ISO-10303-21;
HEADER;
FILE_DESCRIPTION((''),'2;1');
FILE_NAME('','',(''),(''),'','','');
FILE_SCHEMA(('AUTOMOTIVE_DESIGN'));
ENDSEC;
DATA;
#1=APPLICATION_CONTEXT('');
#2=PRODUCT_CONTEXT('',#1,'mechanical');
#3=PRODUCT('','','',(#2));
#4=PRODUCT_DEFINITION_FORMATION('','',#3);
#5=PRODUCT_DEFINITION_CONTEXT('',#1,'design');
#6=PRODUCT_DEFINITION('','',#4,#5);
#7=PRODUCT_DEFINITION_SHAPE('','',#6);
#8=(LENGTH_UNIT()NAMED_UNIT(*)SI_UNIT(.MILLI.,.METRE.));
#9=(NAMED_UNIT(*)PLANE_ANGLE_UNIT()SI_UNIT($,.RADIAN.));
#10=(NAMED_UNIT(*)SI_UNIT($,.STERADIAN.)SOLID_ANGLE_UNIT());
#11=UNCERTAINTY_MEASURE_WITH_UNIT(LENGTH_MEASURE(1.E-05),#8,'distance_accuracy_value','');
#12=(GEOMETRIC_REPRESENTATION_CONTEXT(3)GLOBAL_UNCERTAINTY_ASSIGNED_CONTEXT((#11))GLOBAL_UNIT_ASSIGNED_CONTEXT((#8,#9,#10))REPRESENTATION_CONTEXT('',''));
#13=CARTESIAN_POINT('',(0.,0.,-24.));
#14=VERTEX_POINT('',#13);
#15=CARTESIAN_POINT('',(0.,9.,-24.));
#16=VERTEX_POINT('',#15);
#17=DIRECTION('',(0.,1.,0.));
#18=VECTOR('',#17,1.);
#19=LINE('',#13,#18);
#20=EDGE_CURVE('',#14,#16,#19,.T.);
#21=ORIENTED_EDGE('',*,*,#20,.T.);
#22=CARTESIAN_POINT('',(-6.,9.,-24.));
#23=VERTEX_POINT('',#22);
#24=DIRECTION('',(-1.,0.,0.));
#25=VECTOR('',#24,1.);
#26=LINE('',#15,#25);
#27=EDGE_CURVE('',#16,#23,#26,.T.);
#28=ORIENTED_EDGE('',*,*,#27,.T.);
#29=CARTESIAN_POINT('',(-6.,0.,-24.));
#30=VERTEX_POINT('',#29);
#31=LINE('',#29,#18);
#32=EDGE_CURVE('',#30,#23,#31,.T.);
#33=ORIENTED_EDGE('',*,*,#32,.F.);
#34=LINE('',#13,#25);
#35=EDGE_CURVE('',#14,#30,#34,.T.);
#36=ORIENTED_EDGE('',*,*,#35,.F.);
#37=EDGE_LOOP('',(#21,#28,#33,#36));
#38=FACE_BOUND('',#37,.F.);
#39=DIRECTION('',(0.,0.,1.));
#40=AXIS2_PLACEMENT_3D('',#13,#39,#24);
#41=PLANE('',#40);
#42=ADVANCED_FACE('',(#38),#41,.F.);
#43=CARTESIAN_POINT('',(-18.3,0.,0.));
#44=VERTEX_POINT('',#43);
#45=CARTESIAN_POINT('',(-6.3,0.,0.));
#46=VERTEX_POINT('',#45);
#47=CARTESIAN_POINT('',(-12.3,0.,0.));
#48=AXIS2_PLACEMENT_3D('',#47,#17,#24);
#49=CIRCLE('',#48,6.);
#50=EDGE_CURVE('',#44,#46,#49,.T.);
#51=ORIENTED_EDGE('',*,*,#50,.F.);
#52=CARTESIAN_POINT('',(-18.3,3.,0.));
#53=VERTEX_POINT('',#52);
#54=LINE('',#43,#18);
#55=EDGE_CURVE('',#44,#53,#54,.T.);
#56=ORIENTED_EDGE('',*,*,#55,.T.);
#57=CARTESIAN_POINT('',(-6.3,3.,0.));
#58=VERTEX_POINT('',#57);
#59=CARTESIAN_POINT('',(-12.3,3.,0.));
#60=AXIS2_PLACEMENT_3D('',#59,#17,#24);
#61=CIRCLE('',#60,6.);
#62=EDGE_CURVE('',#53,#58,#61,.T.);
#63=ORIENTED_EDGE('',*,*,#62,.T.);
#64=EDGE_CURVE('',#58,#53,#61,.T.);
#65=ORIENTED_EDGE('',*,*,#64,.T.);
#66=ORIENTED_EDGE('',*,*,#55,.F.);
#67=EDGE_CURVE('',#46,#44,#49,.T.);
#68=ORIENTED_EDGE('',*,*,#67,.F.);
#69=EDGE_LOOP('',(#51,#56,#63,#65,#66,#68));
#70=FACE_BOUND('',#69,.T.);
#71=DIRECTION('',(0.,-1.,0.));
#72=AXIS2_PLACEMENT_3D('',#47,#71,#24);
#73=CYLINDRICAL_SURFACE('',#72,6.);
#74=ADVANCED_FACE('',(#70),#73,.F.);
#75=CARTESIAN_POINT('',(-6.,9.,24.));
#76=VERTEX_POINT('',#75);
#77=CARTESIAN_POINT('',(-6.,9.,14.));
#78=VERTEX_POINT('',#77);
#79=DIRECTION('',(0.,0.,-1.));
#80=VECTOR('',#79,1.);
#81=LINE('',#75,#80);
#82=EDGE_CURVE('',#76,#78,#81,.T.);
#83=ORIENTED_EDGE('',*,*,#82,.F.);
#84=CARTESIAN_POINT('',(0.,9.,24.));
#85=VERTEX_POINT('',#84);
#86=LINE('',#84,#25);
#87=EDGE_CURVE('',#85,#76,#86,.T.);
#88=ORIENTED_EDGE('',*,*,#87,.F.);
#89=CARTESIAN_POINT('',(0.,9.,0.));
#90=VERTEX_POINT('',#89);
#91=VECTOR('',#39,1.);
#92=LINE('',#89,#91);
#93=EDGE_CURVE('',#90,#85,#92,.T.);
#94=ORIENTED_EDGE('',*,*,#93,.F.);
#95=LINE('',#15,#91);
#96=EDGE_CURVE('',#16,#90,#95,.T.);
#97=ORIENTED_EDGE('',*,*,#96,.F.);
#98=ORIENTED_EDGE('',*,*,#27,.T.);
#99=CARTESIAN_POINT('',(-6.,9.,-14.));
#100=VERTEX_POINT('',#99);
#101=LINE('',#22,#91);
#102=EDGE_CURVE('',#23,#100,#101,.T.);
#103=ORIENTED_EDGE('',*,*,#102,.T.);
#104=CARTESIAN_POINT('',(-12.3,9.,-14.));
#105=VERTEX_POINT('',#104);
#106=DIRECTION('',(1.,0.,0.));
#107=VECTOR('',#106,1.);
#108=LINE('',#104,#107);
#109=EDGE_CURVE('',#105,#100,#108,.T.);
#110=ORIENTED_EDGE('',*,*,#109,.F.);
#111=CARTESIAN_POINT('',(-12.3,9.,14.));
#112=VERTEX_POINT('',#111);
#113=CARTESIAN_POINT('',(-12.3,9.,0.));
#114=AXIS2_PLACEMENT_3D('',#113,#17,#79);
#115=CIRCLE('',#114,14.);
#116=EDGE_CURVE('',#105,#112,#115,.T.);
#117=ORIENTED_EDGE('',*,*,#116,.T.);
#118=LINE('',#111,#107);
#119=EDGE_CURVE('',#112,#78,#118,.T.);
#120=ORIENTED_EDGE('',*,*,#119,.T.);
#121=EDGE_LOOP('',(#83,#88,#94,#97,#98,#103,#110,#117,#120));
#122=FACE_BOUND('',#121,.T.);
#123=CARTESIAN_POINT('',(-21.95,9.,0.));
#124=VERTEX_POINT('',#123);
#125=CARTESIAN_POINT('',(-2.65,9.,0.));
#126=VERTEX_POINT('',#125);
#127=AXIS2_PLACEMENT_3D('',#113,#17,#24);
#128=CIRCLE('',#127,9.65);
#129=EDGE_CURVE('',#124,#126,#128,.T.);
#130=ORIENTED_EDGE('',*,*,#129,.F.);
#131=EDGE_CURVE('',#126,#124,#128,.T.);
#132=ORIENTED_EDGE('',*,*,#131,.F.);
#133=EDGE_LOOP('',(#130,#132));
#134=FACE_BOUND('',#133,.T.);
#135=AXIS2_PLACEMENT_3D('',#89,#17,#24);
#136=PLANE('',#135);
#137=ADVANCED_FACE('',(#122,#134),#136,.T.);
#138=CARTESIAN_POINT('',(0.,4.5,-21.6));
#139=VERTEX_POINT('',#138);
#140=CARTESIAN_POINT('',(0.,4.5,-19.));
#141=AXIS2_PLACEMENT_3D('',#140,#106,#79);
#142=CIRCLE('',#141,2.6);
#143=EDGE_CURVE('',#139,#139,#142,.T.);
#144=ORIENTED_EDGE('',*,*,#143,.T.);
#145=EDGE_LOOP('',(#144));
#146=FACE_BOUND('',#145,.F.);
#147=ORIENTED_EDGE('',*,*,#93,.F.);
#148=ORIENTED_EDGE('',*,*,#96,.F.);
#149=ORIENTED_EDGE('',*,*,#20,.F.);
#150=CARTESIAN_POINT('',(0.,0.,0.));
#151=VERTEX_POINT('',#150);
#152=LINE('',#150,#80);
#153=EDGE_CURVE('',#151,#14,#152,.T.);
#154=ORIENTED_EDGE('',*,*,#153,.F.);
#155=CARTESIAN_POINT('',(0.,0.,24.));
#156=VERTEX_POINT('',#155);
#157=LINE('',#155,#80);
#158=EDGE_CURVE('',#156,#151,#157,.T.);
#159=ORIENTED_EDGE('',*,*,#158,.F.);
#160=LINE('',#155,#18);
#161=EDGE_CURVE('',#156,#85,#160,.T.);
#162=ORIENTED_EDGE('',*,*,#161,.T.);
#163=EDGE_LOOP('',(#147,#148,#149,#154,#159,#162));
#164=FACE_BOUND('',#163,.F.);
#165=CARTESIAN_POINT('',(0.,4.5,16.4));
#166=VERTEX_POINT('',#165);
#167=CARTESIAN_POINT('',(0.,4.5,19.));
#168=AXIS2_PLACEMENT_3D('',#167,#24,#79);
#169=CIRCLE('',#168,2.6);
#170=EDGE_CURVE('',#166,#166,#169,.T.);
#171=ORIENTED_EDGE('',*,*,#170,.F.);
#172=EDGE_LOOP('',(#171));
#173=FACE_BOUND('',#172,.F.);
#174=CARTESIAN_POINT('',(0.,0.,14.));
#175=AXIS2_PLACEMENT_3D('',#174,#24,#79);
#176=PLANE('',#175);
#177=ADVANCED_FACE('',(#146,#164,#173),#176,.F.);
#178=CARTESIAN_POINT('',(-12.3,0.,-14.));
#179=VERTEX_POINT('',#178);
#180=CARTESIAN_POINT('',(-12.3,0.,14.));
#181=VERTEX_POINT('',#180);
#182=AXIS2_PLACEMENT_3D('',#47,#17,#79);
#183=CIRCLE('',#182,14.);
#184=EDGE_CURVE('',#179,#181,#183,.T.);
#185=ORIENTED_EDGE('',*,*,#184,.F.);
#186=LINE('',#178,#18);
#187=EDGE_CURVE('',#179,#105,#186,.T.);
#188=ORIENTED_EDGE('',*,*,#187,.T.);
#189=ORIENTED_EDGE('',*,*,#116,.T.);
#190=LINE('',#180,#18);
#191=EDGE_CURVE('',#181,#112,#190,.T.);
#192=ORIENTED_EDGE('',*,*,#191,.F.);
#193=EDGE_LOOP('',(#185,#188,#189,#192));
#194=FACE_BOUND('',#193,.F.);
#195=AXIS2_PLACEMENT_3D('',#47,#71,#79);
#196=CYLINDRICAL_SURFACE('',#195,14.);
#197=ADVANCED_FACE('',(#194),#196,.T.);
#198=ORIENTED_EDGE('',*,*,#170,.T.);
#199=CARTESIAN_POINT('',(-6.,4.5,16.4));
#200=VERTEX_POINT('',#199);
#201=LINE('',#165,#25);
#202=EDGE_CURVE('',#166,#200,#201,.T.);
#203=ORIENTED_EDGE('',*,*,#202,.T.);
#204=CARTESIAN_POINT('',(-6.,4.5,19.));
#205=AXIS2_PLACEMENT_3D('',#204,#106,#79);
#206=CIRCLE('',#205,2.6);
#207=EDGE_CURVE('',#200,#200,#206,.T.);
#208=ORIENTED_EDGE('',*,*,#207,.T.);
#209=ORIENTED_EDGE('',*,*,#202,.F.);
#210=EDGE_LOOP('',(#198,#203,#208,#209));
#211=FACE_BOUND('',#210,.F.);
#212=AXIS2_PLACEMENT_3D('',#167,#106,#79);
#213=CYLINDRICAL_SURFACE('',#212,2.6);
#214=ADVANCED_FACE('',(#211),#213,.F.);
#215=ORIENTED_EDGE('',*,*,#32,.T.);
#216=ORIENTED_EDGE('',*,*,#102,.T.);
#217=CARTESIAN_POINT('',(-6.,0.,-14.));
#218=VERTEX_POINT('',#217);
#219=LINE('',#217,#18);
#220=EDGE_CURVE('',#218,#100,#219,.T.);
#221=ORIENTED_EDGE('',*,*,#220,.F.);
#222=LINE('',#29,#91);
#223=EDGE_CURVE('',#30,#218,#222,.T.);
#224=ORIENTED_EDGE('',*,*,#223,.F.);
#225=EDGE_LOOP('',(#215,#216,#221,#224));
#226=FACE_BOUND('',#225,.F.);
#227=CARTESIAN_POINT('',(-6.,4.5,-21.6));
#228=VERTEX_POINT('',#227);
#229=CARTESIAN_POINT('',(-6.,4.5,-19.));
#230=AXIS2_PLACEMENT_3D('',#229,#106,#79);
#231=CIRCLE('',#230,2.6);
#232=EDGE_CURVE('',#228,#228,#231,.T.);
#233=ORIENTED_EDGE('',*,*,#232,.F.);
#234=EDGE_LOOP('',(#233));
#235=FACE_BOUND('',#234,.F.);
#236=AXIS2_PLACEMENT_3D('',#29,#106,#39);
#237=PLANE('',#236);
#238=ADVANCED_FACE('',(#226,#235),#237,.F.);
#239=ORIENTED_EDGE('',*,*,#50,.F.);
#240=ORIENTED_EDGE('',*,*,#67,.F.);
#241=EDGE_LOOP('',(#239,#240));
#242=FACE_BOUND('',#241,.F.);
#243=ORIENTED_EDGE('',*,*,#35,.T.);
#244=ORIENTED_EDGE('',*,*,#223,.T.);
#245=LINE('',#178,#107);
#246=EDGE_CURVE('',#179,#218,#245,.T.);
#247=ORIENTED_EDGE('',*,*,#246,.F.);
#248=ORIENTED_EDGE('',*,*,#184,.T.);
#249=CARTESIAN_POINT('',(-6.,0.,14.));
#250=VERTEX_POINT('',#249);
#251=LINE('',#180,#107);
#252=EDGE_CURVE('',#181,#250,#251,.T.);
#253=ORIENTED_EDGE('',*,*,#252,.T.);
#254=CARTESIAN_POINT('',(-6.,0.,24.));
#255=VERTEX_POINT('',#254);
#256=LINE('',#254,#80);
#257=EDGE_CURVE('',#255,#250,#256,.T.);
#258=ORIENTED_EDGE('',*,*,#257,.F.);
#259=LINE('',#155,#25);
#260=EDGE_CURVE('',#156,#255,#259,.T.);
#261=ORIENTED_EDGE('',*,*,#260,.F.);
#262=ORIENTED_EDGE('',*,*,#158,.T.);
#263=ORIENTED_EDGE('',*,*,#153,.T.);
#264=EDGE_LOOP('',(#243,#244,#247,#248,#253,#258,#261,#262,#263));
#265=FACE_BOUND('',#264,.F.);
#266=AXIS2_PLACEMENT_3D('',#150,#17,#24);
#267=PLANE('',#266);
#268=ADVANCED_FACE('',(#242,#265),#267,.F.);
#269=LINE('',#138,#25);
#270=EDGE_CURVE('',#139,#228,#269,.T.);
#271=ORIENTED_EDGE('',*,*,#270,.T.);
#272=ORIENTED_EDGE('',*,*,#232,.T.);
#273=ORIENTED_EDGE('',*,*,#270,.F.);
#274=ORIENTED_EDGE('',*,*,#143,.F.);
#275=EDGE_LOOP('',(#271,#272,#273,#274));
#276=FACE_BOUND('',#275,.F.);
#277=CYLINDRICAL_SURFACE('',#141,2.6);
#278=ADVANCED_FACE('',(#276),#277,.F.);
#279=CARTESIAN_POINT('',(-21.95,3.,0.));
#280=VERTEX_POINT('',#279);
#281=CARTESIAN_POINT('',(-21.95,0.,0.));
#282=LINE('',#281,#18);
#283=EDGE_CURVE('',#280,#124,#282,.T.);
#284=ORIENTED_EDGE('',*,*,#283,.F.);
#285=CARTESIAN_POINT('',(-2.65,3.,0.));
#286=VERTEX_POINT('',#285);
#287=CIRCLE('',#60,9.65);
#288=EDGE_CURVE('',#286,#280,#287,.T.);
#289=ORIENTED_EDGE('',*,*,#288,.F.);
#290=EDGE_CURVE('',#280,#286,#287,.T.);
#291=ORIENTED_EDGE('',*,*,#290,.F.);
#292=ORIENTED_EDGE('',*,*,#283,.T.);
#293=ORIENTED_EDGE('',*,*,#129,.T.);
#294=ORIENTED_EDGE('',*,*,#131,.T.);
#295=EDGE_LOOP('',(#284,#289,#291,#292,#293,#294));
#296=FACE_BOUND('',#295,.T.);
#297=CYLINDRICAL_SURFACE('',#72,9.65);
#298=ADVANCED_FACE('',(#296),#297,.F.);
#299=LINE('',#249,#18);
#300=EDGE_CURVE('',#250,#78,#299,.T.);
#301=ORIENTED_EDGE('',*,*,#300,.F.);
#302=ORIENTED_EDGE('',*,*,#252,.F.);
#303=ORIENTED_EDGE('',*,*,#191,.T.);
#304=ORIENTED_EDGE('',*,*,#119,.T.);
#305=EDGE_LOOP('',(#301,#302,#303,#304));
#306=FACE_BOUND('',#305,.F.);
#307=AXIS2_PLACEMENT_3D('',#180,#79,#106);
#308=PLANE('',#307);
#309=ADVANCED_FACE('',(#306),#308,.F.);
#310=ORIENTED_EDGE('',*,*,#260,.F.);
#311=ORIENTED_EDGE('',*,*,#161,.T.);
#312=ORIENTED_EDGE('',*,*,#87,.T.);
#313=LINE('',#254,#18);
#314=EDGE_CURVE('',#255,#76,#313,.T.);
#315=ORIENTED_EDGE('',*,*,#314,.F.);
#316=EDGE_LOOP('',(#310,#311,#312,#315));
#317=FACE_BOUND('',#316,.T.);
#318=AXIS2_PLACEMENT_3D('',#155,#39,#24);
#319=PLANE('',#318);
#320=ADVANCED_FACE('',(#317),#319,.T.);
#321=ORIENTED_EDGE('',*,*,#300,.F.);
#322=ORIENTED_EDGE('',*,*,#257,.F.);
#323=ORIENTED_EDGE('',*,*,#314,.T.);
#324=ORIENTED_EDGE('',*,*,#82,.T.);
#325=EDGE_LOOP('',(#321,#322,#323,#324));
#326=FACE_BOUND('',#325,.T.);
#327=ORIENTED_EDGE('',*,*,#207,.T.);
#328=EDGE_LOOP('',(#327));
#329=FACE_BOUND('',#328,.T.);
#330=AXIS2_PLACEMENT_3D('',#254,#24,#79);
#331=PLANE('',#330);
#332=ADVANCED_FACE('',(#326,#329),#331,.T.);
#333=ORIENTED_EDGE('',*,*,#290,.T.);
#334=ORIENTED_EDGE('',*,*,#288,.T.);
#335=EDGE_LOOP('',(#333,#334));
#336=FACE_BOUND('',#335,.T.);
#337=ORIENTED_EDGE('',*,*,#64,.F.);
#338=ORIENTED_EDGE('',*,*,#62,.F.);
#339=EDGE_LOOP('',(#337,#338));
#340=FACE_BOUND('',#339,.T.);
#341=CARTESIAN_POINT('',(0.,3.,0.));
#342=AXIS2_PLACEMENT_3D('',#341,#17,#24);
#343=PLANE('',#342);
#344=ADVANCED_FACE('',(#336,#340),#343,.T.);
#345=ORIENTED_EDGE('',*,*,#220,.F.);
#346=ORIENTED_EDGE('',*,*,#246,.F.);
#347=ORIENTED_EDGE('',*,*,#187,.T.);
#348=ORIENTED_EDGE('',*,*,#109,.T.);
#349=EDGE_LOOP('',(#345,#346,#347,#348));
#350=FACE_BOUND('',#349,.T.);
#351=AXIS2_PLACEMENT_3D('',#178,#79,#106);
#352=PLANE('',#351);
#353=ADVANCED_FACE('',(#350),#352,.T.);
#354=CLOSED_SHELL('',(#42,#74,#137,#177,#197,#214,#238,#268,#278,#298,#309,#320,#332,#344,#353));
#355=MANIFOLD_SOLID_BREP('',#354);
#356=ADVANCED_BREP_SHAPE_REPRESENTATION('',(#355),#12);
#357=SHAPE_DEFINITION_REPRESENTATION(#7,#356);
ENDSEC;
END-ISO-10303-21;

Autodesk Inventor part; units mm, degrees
ref_plane "YZ Plane" through (0, 0, 0) normal (1, 0, 0) x (0, 1, 0)
ref_plane "XZ Plane" through (0, 0, 0) normal (0, 1, 0) x (-1, 0, 0)
ref_plane "XY Plane" through (0, 0, 0) normal (0, 0, 1) x (1, 0, 0)
sketch "Sketch1" plane through (0, 0, 0) normal (0, 1, 0) x (-1, 0, 0)
  line L0 (0, 0) -> (12.3, 0)
  circle A0 centre (12.3, 0) radius 9.65
  circle A1 centre (12.3, 0) radius 6
  arc A2 (12.3, -14) -> (12.3, 14) centre (12.3, 0) ccw
  line L1 (12.3, 14) -> (0, 14)
  line L2 (0, 14) -> (0, 24)
  line L3 (0, 24) -> (6, 24)
  line L4 (6, 24) -> (6, 14)
  line L5 (12.3, -14) -> (0, -14)
  line L6 (0, -14) -> (0, -24)
  line L7 (0, -24) -> (6, -24)
  line L8 (6, -24) -> (6, -14)
  line L9 (0, 14) -> (0, -14)
  dimension "d0" = 12.3
  dimension "d1" = 19.3
  dimension "d2" = 12
  dimension "d3" = 28
  dimension "d4" = 10
  dimension "d5" = 6
  dimension "d6" = 10
extrude "Extrusion1" add sketch "Sketch1" along normal blind 3 contours A0
extrude "Extrusion2" add sketch "Sketch1" along normal blind 9 contours L9 L1 A2 L5 | L2 L3 L4 L1 | L5 L8 L7 L6
sketch "Sketch2" plane through (0, 0, 24) normal (1, 0, 0) x (0, 0, -1)
  line L0 (0, 0) -> (0, 9) projected
  line L1 (0, 4.5) -> (5, 4.5)
  line L2 (48, 0) -> (48, 9) projected
  line L3 (48, 4.5) -> (43, 4.5)
  circle A0 centre (5, 4.5) radius 2.6
  circle A1 centre (43, 4.5) radius 2.6
  point P0 (24, 0)
  dimension "d11" = 5
  dimension "d12" = 5
  dimension "d13" = 5.2
  dimension "d14" = 5.2
extrude "Extrusion3" cut sketch "Sketch2" against normal blind 9
properties part number "bearing_holder_plate_tb"
